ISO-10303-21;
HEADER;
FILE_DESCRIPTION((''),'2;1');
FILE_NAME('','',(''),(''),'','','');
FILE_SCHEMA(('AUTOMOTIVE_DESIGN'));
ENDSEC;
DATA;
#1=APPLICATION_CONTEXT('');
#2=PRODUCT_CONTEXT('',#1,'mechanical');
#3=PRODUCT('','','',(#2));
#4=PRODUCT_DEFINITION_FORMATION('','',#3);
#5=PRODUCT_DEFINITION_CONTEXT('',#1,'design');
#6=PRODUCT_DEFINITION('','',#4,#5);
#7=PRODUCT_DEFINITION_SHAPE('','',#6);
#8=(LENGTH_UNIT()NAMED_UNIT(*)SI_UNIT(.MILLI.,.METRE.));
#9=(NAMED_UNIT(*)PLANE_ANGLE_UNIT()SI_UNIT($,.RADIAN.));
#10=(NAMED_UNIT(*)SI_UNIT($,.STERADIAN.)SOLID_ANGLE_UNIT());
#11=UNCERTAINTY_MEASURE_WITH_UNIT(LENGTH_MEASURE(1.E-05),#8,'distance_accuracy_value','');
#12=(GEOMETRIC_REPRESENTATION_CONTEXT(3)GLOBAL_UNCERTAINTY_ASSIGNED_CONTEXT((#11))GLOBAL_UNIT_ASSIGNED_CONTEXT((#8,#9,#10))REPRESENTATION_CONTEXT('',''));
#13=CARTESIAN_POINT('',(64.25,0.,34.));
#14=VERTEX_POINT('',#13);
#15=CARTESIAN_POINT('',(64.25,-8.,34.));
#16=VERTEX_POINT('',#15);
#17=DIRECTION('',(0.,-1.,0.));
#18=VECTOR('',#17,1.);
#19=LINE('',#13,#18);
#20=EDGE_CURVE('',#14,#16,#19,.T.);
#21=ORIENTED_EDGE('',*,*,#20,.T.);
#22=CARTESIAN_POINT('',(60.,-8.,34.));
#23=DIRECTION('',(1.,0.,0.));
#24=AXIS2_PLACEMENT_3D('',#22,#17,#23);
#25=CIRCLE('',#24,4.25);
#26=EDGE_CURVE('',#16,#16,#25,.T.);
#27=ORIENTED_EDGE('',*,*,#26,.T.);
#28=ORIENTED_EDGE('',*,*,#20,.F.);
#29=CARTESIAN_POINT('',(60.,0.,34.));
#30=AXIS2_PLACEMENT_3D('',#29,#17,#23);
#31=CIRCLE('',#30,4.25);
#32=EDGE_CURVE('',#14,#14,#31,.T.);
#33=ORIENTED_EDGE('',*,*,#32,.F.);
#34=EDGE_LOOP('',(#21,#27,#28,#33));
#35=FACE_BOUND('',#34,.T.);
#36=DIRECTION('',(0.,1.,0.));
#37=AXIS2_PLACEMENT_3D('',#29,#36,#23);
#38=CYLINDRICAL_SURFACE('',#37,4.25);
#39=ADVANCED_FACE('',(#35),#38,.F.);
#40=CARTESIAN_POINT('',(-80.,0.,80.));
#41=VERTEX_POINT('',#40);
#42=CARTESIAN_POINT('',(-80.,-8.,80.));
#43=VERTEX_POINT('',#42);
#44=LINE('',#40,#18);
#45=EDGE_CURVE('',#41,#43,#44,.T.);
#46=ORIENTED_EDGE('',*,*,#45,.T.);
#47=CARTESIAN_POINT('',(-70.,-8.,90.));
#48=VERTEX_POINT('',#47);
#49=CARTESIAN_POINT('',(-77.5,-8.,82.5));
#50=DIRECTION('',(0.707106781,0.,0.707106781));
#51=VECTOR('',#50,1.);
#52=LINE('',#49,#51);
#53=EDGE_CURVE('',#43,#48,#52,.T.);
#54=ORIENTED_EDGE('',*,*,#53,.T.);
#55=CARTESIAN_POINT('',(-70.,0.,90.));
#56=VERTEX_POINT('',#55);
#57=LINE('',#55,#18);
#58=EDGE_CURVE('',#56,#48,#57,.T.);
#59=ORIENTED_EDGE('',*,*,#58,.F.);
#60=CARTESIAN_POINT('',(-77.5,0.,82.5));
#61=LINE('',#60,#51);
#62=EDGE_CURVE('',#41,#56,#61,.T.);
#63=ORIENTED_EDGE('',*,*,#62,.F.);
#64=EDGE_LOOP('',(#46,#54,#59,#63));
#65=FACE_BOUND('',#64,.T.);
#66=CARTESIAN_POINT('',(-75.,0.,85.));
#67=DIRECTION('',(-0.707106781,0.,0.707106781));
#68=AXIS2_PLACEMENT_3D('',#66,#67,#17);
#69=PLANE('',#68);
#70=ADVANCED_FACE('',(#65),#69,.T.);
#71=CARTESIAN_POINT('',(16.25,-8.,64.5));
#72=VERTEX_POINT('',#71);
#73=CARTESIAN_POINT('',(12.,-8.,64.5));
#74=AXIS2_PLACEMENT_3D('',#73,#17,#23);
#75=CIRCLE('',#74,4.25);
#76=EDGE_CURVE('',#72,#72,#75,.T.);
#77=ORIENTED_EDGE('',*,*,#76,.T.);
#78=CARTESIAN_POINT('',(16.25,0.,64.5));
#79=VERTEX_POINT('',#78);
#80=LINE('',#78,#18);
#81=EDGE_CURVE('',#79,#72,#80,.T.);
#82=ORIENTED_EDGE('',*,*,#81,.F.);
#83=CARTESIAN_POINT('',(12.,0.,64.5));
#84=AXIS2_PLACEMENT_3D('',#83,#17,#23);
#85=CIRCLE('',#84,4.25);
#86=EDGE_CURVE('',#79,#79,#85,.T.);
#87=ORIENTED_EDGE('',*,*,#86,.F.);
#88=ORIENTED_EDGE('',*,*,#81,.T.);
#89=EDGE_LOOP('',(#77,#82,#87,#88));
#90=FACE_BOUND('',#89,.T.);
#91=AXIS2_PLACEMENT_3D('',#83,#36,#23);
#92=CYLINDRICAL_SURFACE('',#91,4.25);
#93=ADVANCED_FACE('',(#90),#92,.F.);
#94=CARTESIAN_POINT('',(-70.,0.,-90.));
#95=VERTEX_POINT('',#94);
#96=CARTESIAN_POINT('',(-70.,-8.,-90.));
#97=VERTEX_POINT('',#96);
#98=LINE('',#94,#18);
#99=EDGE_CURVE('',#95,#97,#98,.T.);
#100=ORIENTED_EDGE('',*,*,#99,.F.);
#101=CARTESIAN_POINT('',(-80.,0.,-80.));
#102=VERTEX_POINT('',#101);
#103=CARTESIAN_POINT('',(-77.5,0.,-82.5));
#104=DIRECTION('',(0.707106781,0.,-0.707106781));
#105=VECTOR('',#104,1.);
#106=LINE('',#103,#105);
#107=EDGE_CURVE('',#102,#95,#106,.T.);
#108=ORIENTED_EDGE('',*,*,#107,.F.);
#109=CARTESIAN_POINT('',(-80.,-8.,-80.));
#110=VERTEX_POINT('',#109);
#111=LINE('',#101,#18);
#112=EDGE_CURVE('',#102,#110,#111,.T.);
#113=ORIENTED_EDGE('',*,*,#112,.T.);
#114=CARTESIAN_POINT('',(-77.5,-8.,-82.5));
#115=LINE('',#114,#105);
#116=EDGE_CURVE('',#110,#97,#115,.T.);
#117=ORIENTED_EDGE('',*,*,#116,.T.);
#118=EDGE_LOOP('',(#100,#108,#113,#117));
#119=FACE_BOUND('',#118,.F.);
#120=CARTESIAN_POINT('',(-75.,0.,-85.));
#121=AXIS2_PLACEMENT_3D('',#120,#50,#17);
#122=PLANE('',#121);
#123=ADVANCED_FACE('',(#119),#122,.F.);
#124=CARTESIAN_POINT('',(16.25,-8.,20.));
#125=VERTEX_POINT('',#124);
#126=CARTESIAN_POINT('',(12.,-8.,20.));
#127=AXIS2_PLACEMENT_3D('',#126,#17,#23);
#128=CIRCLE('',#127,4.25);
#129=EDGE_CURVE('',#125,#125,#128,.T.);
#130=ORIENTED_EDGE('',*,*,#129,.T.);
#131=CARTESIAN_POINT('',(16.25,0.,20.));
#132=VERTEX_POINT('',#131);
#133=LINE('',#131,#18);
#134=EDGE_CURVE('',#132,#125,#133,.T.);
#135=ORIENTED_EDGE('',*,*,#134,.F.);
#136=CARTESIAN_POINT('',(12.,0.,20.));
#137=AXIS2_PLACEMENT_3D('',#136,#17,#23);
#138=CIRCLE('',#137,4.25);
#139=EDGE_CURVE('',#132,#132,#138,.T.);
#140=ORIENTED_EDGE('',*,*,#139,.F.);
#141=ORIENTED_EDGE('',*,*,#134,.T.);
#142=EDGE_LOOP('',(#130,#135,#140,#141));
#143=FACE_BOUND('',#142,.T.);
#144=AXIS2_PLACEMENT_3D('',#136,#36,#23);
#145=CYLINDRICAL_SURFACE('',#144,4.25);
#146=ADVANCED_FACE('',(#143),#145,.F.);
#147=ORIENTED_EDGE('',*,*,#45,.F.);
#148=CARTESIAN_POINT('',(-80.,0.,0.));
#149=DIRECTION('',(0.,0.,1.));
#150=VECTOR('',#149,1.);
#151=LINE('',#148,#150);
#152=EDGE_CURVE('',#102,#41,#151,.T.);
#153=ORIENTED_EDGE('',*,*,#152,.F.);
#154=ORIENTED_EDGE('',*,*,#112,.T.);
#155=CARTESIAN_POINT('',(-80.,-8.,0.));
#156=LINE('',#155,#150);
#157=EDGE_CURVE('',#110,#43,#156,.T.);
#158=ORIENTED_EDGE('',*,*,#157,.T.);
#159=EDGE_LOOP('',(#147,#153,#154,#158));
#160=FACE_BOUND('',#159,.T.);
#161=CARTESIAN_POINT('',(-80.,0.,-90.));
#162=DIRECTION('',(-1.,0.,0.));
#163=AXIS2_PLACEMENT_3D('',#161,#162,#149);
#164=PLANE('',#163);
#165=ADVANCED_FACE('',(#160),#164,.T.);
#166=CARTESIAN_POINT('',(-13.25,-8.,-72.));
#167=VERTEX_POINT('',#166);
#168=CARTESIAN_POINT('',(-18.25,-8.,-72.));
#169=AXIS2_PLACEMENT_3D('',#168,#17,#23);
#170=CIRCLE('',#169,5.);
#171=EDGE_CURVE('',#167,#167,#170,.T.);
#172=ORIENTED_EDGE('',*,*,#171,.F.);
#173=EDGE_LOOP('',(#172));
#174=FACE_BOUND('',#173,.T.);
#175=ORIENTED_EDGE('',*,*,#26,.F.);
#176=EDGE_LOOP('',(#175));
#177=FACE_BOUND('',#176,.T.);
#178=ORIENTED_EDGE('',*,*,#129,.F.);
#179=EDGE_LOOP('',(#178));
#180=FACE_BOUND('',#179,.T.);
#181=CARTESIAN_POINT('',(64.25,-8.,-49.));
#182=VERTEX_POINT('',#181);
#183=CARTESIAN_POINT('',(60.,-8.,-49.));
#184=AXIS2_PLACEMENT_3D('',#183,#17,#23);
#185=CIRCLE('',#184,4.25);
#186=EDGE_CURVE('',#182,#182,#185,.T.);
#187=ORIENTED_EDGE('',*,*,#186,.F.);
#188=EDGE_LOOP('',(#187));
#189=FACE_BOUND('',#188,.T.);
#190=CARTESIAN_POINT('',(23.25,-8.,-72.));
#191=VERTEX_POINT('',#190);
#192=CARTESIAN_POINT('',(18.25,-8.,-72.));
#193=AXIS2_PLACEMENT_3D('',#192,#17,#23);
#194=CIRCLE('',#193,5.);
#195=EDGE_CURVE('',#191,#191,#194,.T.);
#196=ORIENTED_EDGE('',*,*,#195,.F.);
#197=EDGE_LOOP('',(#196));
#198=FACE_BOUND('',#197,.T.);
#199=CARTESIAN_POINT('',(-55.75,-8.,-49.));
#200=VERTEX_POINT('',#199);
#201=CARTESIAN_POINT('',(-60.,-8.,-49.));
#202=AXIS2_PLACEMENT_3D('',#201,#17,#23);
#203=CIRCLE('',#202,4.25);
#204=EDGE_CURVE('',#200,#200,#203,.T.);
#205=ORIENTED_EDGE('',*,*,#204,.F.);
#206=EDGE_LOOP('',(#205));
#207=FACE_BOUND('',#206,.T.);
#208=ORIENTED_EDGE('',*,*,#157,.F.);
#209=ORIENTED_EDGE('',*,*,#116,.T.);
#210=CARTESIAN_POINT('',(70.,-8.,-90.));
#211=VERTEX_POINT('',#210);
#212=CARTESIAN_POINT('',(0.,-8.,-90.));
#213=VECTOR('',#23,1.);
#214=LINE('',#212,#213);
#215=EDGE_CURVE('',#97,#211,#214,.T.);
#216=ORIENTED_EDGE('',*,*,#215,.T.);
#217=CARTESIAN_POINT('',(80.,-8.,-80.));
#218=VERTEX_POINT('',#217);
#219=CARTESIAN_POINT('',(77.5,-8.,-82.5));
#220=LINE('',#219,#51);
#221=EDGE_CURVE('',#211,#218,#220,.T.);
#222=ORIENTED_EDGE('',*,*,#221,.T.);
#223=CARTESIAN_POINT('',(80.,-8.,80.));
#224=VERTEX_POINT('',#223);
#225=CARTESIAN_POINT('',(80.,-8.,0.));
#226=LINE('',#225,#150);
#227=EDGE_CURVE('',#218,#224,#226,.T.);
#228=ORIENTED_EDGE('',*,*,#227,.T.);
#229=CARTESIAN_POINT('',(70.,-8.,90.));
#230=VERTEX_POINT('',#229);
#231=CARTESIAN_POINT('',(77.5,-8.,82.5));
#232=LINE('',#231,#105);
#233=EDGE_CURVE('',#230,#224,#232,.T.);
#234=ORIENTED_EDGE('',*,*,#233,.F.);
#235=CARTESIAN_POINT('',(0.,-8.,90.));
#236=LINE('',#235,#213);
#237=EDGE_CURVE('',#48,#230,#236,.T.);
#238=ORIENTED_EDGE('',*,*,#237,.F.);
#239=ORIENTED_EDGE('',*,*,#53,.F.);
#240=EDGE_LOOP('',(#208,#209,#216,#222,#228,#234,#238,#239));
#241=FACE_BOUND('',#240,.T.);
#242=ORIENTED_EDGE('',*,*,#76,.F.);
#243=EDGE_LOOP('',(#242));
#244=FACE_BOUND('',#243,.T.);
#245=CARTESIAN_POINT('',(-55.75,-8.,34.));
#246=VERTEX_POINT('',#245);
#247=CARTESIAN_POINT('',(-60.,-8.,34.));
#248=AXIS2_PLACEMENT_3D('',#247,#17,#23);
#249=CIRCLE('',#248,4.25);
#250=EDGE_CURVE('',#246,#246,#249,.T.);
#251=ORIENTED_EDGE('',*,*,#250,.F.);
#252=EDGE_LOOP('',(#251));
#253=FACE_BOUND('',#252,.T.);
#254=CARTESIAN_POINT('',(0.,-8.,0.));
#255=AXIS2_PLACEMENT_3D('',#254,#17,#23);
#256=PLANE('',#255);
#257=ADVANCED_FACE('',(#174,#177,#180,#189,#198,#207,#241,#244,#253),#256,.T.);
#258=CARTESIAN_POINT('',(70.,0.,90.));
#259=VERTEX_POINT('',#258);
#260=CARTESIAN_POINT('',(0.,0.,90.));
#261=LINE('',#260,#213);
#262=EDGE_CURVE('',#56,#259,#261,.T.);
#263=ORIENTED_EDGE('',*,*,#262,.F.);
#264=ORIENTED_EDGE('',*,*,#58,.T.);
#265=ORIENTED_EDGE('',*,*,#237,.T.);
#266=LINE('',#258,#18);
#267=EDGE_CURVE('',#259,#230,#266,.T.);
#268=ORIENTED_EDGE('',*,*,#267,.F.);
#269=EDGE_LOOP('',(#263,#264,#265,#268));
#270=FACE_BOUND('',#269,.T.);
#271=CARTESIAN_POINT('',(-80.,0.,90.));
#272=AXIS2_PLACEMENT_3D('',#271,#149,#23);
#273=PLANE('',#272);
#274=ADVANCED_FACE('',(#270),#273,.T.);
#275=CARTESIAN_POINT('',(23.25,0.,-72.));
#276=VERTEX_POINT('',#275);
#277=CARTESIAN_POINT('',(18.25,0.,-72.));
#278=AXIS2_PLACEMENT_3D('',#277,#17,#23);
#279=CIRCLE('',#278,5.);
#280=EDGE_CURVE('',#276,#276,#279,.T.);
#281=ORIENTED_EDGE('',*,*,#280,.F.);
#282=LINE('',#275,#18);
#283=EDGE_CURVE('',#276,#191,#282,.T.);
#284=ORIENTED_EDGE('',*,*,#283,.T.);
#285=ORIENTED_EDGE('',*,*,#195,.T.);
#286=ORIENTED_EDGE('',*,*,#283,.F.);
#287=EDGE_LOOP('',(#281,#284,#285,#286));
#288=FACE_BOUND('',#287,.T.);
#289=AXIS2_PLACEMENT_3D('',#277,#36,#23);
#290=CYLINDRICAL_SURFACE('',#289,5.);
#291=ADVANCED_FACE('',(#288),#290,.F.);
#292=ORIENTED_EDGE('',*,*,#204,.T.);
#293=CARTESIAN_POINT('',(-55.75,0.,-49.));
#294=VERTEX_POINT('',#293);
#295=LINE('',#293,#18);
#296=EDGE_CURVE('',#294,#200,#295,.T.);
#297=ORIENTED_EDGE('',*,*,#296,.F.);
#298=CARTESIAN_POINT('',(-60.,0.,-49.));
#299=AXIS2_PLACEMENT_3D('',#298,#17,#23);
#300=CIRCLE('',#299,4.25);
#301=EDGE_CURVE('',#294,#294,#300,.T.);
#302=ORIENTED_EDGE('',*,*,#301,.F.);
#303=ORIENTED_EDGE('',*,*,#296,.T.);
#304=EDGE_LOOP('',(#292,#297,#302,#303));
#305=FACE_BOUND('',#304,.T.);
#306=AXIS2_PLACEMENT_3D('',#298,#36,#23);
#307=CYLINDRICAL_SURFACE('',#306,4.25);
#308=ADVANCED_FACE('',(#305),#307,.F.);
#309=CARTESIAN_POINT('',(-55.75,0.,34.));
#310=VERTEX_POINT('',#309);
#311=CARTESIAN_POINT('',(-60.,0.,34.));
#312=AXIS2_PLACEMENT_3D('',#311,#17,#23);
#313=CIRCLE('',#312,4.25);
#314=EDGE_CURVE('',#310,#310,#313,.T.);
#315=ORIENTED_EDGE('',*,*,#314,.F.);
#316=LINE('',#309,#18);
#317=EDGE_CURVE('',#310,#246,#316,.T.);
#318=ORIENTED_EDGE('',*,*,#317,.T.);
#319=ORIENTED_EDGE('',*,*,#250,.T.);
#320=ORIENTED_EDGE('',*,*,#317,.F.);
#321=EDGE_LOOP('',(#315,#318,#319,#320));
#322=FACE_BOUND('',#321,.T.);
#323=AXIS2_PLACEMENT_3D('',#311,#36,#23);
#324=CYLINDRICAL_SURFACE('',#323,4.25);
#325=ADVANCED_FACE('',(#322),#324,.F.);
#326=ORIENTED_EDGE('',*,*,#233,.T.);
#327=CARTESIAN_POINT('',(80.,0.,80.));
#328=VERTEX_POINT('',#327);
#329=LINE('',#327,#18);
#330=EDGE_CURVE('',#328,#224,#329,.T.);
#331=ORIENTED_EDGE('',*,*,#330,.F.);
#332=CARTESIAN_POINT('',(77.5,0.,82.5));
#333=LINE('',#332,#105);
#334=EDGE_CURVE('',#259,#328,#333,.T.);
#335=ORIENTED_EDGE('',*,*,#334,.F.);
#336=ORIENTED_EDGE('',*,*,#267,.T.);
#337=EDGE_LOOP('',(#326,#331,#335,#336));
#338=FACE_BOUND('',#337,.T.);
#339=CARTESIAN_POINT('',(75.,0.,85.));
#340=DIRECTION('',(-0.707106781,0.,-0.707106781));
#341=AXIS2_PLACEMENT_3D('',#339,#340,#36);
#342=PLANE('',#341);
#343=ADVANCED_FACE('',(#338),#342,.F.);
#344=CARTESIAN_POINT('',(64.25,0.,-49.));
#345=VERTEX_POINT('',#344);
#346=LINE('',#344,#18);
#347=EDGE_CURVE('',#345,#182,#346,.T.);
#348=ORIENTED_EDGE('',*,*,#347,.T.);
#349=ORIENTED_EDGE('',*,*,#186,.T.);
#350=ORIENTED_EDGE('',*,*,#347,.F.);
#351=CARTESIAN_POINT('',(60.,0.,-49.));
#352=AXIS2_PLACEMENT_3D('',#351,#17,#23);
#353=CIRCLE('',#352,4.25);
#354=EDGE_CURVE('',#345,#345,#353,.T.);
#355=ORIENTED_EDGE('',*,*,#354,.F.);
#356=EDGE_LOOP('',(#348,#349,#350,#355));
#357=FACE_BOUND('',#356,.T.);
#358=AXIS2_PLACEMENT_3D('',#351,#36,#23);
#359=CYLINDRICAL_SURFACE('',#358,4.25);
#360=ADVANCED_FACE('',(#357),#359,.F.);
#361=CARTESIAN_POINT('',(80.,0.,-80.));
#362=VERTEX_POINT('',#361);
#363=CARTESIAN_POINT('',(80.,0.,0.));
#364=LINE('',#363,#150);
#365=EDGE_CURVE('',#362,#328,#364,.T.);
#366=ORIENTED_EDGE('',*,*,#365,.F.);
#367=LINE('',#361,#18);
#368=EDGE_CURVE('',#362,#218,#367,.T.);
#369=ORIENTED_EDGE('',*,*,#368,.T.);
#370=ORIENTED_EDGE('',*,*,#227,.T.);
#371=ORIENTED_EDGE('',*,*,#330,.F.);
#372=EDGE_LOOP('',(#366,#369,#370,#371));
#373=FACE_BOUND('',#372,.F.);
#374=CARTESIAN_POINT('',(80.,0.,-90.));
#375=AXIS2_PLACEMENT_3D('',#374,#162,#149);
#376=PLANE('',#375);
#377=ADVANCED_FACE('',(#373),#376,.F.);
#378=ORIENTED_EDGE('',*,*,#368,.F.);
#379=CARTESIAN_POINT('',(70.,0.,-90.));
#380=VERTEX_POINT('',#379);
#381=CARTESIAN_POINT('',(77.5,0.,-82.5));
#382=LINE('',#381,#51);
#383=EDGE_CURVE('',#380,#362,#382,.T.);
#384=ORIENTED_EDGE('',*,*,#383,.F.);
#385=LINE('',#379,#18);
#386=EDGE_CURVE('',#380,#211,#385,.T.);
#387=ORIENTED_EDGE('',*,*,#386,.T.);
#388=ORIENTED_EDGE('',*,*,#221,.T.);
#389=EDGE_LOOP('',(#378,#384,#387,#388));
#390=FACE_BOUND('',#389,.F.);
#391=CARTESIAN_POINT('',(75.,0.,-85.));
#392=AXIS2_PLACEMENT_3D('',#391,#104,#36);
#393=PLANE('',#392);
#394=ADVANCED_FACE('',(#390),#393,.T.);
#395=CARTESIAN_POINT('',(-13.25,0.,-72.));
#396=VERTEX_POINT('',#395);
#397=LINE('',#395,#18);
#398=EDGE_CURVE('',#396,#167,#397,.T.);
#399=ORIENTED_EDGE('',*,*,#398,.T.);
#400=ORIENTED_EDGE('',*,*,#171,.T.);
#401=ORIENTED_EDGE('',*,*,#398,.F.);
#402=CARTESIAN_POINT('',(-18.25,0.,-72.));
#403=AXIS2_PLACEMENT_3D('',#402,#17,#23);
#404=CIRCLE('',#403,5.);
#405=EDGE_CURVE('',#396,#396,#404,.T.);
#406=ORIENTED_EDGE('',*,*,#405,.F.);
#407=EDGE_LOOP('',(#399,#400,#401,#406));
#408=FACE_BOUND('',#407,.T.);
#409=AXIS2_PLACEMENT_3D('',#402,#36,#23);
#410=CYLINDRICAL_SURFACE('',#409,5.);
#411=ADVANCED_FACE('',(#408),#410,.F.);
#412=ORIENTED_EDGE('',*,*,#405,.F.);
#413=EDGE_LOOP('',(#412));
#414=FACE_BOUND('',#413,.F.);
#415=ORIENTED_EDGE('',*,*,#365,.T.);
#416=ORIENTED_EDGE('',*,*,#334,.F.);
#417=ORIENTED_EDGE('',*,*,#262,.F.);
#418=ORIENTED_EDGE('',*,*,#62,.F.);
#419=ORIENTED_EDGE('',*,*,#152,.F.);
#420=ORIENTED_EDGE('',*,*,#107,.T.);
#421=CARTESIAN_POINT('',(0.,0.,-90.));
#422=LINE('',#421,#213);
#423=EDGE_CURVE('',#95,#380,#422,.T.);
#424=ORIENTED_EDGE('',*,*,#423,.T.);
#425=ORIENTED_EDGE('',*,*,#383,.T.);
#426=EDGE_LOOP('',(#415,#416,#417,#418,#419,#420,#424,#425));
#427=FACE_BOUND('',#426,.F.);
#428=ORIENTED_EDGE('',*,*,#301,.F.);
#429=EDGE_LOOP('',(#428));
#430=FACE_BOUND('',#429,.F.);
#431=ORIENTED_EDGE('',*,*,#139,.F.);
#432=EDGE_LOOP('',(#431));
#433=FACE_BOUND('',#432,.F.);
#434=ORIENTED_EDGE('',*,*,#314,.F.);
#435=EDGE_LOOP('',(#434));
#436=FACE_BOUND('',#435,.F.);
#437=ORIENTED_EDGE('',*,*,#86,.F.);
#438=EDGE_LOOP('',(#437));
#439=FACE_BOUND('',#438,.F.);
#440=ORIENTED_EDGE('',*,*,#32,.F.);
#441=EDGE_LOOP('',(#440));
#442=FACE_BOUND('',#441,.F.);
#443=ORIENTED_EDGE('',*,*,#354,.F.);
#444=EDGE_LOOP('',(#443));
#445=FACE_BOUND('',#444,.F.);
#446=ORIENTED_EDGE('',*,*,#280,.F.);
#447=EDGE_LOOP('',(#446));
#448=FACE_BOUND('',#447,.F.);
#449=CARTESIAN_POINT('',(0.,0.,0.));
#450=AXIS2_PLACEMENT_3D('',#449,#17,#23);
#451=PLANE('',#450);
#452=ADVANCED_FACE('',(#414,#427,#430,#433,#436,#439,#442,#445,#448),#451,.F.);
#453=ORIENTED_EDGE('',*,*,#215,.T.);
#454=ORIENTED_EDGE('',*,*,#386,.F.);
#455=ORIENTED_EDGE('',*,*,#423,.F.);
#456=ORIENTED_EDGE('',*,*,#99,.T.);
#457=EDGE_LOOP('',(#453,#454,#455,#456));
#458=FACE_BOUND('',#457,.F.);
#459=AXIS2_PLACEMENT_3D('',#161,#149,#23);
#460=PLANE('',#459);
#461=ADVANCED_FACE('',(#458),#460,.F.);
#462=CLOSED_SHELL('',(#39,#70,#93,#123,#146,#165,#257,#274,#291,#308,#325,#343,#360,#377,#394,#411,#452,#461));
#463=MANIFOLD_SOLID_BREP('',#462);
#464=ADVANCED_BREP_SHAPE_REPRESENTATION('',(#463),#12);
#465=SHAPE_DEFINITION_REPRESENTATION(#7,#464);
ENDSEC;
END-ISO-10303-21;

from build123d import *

# Parameters (mm, degrees)
F0_W     = 160
F0_H     = 180
F0_R     = 4.25
F0_R_2   = 5
F1_DEPTH = 8
F2_SIZE  = 10


with BuildPart() as f1:
    # F0 (on Front) → F1 (new body)
    with BuildSketch(Plane.XZ):
        Rectangle(F0_W, F0_H)
        with Locations((-60, -49)):
            Circle(F0_R, mode=Mode.SUBTRACT)
        with Locations((-18.25, -72)):
            Circle(F0_R_2, mode=Mode.SUBTRACT)
        with Locations((18.25, -72)):
            Circle(F0_R_2, mode=Mode.SUBTRACT)
        with Locations((60, -49)):
            Circle(F0_R, mode=Mode.SUBTRACT)
        with Locations((-60, 34)):
            Circle(F0_R, mode=Mode.SUBTRACT)
        with Locations((12, 20)):
            Circle(F0_R, mode=Mode.SUBTRACT)
        with Locations((60, 34)):
            Circle(F0_R, mode=Mode.SUBTRACT)
        with Locations((12, 64.5)):
            Circle(F0_R, mode=Mode.SUBTRACT)
    extrude(amount=F1_DEPTH)

    # F2
    f2_edges = [f1.edges().sort_by_distance(p)[0] for p in [
        (-80, -4, 90),
        (80, -4, 90),
        (80, -4, -90),
        (-80, -4, -90),
    ]]
    chamfer(f2_edges, length=F2_SIZE)


solid = f1.part
